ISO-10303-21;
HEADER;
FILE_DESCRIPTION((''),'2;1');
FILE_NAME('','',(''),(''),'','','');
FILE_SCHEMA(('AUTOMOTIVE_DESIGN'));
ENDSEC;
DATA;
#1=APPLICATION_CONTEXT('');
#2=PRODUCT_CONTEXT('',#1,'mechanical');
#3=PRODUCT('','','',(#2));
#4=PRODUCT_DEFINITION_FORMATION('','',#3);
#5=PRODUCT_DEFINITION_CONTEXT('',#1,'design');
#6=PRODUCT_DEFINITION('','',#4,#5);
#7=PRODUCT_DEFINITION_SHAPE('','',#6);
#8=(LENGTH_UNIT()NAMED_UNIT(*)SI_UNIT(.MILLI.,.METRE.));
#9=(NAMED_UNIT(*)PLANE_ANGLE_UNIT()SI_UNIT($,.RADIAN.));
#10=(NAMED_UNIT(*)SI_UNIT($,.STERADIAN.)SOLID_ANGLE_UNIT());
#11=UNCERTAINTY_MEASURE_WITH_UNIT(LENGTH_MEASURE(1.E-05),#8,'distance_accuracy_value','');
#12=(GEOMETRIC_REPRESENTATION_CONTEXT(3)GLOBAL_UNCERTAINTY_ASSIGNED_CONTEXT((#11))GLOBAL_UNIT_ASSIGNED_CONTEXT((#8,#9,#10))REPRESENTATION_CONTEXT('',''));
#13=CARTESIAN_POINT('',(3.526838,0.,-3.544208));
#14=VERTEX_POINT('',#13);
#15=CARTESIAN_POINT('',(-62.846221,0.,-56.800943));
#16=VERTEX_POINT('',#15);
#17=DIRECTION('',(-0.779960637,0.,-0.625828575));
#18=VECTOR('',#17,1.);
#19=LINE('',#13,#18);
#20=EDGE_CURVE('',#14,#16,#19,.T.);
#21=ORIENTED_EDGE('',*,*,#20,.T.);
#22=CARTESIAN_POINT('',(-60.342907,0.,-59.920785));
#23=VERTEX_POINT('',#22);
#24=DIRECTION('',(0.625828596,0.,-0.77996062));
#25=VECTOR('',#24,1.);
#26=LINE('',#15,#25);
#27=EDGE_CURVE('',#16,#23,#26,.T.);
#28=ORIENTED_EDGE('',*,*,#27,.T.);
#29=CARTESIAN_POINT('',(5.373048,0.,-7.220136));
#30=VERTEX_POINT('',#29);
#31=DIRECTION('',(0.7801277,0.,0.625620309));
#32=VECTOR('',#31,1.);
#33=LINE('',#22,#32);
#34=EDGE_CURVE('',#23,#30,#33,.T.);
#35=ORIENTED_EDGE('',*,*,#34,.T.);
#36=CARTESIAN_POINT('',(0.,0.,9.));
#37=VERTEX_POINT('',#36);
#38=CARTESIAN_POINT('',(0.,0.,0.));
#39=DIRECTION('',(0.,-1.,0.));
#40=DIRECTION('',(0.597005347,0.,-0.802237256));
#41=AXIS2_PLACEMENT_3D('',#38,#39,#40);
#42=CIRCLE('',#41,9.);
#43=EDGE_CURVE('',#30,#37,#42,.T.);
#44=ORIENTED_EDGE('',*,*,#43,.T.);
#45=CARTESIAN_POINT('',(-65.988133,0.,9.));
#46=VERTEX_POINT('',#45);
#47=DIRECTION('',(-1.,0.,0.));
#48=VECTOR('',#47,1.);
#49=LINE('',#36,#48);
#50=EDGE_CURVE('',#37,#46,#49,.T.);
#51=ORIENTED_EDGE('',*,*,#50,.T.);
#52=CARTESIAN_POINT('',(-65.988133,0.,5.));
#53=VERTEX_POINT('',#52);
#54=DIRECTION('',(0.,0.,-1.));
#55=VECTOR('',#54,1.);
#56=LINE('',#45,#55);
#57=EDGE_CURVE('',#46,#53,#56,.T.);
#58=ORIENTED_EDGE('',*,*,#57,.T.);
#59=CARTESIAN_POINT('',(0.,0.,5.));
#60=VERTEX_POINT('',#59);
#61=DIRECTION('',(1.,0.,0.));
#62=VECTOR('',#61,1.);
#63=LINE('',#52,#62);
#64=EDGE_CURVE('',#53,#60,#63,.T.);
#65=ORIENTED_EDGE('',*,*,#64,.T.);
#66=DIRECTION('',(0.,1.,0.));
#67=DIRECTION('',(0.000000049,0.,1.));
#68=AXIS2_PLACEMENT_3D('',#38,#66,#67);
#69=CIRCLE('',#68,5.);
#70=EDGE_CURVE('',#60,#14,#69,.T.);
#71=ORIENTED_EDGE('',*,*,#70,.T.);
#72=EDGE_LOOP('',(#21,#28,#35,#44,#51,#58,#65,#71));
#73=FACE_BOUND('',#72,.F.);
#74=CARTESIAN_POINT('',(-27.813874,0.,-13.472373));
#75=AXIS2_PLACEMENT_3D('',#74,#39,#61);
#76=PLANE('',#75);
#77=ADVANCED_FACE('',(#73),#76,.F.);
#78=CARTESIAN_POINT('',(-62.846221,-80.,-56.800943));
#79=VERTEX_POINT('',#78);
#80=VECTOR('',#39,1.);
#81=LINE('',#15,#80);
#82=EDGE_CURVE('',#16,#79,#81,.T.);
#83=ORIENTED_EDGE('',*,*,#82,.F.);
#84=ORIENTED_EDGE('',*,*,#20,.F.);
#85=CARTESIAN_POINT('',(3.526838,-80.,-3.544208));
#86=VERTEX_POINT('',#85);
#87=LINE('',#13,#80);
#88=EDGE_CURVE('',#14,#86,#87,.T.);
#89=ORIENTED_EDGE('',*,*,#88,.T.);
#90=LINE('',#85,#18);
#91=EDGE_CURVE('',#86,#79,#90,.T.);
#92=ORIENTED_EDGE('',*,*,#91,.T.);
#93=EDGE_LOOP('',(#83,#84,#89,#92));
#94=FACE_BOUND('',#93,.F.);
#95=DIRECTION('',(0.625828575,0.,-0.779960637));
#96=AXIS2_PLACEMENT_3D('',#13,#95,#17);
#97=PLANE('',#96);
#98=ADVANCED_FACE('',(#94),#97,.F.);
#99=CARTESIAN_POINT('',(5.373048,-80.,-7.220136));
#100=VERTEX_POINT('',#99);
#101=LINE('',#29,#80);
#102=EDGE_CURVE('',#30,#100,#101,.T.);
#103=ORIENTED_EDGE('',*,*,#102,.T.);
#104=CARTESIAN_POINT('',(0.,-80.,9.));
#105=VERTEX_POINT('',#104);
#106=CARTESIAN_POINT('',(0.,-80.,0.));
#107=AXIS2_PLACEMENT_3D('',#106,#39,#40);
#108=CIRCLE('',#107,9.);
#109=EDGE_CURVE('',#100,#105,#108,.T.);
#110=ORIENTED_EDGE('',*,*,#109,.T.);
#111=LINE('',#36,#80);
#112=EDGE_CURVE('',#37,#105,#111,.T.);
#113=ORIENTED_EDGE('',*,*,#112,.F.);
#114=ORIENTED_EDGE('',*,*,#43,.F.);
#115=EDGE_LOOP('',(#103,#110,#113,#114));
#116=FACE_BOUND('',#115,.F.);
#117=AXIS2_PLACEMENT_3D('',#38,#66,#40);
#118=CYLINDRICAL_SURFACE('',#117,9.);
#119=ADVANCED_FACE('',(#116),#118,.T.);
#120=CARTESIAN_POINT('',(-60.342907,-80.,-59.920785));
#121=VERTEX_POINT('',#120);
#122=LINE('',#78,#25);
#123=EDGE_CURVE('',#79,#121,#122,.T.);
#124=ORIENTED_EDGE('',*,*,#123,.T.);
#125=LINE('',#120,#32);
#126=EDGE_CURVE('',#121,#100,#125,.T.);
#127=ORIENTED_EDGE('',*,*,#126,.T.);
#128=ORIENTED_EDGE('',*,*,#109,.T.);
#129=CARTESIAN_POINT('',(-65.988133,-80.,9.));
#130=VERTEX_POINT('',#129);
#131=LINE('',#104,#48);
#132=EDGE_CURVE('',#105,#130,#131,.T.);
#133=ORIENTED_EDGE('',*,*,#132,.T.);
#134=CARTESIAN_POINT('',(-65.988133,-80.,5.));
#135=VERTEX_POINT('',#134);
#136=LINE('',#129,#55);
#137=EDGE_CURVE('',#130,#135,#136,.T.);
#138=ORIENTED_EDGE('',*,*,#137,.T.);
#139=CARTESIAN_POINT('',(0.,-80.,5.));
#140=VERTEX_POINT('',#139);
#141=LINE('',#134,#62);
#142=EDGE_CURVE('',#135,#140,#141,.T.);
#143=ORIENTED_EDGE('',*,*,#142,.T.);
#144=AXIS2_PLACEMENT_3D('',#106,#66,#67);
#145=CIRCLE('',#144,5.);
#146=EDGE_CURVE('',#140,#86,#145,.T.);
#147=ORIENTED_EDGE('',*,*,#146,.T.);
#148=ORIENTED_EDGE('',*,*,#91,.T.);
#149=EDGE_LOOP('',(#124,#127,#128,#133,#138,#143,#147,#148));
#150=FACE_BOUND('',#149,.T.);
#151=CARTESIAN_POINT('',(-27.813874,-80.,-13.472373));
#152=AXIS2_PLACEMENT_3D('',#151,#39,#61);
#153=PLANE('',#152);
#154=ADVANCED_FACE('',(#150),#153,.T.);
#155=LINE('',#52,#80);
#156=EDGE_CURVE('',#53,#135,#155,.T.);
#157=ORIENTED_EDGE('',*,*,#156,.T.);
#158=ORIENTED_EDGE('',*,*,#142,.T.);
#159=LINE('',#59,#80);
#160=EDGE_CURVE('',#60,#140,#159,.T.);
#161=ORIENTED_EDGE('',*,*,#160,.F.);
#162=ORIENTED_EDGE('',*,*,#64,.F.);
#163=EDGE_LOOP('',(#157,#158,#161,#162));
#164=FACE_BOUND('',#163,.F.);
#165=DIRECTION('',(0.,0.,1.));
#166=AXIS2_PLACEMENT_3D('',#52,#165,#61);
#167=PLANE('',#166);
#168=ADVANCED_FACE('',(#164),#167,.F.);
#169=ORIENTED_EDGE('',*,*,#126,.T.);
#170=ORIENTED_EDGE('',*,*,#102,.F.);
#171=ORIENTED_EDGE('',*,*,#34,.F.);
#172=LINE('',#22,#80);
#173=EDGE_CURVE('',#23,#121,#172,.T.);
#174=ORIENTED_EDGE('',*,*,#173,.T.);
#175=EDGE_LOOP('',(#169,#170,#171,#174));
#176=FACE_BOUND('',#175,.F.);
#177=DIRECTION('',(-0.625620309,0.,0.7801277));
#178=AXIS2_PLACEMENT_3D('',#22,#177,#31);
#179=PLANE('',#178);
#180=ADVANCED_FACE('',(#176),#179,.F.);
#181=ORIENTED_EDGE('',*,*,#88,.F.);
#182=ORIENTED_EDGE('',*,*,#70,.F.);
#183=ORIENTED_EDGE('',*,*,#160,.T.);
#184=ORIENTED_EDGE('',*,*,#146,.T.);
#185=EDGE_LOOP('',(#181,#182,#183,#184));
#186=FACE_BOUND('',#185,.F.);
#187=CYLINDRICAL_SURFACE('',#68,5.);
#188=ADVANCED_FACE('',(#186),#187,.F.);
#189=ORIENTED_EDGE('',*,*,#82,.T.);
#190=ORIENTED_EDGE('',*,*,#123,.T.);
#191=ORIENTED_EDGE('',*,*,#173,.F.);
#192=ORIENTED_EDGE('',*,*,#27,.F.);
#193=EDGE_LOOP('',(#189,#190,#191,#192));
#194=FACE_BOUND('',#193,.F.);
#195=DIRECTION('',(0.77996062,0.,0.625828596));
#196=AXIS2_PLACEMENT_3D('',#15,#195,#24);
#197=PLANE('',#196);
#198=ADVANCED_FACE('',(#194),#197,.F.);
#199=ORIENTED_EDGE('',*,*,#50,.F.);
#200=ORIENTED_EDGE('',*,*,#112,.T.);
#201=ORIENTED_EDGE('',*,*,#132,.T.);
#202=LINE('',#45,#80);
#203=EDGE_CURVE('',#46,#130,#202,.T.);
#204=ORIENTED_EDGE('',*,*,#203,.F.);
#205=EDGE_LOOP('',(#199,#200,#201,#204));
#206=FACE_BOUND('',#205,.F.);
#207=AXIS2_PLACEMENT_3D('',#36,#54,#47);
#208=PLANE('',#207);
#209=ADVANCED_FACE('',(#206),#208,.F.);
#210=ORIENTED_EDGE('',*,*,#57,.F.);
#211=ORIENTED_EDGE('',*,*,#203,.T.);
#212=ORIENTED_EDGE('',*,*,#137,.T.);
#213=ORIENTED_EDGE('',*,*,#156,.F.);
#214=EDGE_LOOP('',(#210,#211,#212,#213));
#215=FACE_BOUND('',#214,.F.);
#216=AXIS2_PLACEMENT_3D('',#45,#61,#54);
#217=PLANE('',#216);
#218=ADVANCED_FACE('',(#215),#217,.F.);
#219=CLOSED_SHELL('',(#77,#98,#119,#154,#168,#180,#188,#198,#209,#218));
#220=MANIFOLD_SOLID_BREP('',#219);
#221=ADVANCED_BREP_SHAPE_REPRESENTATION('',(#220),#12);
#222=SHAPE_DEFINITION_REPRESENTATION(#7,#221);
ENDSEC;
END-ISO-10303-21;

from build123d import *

# Parameters (mm, degrees)
F1_DEPTH = 80


with BuildPart() as f1:
    # F0 (on Front) → F1 (new body)
    with BuildSketch(Plane.XZ):
        with BuildLine():
            Line((-60.342907, -59.920785), (5.373048, -7.220136))
            ThreePointArc((5.373048, -7.220136), (8.543454, 2.830087), (0, 9))
            Line((0, 9), (-65.988133, 9))
            Line((-65.988133, 9), (-65.988133, 5))
            Line((-65.988133, 5), (0, 5))
            ThreePointArc((0, 5), (4.621744, 1.907742), (3.526838, -3.544208))
            Line((3.526838, -3.544208), (-62.846221, -56.800943))
            Line((-62.846221, -56.800943), (-60.342907, -59.920785))
        make_face()
    extrude(amount=F1_DEPTH)


solid = f1.part
